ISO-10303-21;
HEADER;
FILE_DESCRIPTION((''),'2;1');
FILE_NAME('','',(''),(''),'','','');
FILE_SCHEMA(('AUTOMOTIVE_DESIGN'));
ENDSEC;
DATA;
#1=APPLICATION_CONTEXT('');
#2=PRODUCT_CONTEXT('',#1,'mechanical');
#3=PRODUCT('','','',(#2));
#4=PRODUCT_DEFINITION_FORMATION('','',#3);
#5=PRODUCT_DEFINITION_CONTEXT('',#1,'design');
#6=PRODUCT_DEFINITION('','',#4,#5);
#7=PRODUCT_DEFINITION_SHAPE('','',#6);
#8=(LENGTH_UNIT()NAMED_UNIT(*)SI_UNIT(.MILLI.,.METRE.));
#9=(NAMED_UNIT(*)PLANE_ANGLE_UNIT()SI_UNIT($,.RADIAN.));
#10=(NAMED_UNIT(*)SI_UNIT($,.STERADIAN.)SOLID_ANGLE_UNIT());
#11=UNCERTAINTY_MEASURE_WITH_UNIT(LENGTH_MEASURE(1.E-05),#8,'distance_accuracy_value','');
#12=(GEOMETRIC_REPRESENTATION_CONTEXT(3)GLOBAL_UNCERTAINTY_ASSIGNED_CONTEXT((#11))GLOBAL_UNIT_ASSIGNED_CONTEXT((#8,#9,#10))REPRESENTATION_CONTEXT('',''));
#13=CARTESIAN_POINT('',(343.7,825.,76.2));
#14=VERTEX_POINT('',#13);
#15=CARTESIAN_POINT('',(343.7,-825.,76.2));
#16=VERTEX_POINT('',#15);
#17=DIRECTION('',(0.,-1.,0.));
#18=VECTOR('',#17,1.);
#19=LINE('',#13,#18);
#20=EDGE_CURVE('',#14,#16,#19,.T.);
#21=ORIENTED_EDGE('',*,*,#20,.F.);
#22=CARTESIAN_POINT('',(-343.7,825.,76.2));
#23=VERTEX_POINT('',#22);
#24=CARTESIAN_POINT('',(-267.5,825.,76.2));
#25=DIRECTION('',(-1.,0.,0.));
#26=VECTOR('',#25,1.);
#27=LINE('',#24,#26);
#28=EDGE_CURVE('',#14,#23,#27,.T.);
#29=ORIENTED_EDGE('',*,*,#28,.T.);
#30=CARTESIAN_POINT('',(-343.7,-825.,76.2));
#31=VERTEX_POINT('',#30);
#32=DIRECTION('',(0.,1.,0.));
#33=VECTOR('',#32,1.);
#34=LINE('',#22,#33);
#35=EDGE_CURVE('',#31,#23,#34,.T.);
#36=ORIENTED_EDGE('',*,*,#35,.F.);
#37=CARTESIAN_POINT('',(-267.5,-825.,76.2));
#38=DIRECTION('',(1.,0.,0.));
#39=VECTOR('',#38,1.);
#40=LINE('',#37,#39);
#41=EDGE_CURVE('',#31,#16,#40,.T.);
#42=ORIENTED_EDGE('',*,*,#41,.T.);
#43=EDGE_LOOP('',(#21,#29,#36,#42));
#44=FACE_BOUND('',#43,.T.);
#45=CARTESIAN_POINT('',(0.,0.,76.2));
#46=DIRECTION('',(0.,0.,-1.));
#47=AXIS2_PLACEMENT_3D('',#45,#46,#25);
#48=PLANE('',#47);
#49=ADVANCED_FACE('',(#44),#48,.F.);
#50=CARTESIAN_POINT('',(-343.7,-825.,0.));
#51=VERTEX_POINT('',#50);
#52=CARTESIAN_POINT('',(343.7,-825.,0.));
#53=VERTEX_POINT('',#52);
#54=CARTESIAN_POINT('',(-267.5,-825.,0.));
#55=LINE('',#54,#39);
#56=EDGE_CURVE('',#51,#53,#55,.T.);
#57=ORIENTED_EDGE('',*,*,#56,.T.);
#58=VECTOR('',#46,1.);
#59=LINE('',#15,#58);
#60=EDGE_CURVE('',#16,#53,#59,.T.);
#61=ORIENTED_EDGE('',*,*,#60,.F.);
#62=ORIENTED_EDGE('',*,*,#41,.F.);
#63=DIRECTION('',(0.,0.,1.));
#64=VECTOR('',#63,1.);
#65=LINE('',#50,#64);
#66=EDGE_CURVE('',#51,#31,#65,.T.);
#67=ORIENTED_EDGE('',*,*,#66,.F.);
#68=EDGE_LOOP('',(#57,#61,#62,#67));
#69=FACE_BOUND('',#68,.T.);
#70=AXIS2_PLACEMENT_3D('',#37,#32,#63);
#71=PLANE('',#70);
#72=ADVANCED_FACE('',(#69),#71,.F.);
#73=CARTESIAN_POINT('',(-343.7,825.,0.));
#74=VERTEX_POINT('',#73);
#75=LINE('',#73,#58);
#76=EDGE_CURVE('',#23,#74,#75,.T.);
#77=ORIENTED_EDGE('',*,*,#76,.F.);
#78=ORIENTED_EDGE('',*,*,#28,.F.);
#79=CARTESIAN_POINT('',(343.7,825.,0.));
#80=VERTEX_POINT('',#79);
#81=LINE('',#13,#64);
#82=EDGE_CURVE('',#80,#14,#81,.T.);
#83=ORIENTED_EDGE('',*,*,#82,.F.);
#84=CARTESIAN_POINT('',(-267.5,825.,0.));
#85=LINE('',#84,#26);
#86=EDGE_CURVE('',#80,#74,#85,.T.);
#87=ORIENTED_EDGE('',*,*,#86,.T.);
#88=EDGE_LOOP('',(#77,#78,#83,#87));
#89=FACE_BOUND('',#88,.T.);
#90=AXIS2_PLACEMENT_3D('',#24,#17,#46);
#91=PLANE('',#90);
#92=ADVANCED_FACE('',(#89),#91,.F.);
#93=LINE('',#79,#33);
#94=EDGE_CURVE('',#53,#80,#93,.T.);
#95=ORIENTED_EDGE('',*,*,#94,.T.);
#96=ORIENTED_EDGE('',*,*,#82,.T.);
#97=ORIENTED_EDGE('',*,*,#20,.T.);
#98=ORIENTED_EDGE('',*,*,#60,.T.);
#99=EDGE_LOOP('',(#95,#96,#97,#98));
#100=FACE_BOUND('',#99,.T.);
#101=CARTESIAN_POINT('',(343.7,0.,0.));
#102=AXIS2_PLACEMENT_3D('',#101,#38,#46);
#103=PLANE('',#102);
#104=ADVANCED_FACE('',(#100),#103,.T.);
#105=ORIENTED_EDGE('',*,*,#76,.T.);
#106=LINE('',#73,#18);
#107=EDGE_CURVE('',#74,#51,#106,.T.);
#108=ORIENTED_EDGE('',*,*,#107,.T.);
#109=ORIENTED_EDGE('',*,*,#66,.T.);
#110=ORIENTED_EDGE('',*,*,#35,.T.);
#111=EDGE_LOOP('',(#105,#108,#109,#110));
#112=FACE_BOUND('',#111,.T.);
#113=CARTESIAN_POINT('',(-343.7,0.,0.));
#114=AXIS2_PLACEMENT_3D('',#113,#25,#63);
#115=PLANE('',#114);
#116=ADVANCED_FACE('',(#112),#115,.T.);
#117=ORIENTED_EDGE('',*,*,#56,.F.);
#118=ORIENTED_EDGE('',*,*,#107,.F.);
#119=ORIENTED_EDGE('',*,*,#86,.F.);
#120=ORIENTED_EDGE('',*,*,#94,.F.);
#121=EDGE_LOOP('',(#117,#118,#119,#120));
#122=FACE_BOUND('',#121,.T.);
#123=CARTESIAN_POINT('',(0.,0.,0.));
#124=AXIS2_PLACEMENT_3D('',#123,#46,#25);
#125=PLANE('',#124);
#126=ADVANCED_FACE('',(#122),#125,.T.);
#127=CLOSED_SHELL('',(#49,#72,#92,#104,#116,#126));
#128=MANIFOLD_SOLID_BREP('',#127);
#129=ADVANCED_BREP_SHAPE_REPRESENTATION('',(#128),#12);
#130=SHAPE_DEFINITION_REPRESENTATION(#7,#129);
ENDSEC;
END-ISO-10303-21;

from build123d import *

# Parameters (mm, degrees)
SKETCH1_W           = 535.000000102
SKETCH1_H           = 1650
BOSS_EXTRUDE1_DEPTH = 76.2
SKETCH2_W           = 76.2
SKETCH2_H           = 1650
BOSS_EXTRUDE2_DEPTH = 76.2
SKETCH3_W           = 76.2
SKETCH3_H           = 1650
BOSS_EXTRUDE3_DEPTH = 76.2


with BuildPart() as part:
    # Sketch1 → Boss-Extrude1 (new body)
    with BuildSketch(Plane.XY):
        Rectangle(SKETCH1_W, SKETCH1_H)
    extrude(amount=BOSS_EXTRUDE1_DEPTH)

    # Sketch2 → Boss-Extrude2 (add)
    with BuildSketch(Plane(origin=(267.500000051, 0, 0), x_dir=(0, 0, -1), z_dir=(1, 0, 0))):
        with Locations((-38.1, 0)):
            Rectangle(SKETCH2_W, SKETCH2_H)
    extrude(amount=BOSS_EXTRUDE2_DEPTH)

    # Sketch3 → Boss-Extrude3 (add)
    with BuildSketch(Plane.ZY.offset(267.500000051)):
        with Locations((38.1, 0)):
            Rectangle(SKETCH3_W, SKETCH3_H)
    extrude(amount=BOSS_EXTRUDE3_DEPTH)


solid = part.part
